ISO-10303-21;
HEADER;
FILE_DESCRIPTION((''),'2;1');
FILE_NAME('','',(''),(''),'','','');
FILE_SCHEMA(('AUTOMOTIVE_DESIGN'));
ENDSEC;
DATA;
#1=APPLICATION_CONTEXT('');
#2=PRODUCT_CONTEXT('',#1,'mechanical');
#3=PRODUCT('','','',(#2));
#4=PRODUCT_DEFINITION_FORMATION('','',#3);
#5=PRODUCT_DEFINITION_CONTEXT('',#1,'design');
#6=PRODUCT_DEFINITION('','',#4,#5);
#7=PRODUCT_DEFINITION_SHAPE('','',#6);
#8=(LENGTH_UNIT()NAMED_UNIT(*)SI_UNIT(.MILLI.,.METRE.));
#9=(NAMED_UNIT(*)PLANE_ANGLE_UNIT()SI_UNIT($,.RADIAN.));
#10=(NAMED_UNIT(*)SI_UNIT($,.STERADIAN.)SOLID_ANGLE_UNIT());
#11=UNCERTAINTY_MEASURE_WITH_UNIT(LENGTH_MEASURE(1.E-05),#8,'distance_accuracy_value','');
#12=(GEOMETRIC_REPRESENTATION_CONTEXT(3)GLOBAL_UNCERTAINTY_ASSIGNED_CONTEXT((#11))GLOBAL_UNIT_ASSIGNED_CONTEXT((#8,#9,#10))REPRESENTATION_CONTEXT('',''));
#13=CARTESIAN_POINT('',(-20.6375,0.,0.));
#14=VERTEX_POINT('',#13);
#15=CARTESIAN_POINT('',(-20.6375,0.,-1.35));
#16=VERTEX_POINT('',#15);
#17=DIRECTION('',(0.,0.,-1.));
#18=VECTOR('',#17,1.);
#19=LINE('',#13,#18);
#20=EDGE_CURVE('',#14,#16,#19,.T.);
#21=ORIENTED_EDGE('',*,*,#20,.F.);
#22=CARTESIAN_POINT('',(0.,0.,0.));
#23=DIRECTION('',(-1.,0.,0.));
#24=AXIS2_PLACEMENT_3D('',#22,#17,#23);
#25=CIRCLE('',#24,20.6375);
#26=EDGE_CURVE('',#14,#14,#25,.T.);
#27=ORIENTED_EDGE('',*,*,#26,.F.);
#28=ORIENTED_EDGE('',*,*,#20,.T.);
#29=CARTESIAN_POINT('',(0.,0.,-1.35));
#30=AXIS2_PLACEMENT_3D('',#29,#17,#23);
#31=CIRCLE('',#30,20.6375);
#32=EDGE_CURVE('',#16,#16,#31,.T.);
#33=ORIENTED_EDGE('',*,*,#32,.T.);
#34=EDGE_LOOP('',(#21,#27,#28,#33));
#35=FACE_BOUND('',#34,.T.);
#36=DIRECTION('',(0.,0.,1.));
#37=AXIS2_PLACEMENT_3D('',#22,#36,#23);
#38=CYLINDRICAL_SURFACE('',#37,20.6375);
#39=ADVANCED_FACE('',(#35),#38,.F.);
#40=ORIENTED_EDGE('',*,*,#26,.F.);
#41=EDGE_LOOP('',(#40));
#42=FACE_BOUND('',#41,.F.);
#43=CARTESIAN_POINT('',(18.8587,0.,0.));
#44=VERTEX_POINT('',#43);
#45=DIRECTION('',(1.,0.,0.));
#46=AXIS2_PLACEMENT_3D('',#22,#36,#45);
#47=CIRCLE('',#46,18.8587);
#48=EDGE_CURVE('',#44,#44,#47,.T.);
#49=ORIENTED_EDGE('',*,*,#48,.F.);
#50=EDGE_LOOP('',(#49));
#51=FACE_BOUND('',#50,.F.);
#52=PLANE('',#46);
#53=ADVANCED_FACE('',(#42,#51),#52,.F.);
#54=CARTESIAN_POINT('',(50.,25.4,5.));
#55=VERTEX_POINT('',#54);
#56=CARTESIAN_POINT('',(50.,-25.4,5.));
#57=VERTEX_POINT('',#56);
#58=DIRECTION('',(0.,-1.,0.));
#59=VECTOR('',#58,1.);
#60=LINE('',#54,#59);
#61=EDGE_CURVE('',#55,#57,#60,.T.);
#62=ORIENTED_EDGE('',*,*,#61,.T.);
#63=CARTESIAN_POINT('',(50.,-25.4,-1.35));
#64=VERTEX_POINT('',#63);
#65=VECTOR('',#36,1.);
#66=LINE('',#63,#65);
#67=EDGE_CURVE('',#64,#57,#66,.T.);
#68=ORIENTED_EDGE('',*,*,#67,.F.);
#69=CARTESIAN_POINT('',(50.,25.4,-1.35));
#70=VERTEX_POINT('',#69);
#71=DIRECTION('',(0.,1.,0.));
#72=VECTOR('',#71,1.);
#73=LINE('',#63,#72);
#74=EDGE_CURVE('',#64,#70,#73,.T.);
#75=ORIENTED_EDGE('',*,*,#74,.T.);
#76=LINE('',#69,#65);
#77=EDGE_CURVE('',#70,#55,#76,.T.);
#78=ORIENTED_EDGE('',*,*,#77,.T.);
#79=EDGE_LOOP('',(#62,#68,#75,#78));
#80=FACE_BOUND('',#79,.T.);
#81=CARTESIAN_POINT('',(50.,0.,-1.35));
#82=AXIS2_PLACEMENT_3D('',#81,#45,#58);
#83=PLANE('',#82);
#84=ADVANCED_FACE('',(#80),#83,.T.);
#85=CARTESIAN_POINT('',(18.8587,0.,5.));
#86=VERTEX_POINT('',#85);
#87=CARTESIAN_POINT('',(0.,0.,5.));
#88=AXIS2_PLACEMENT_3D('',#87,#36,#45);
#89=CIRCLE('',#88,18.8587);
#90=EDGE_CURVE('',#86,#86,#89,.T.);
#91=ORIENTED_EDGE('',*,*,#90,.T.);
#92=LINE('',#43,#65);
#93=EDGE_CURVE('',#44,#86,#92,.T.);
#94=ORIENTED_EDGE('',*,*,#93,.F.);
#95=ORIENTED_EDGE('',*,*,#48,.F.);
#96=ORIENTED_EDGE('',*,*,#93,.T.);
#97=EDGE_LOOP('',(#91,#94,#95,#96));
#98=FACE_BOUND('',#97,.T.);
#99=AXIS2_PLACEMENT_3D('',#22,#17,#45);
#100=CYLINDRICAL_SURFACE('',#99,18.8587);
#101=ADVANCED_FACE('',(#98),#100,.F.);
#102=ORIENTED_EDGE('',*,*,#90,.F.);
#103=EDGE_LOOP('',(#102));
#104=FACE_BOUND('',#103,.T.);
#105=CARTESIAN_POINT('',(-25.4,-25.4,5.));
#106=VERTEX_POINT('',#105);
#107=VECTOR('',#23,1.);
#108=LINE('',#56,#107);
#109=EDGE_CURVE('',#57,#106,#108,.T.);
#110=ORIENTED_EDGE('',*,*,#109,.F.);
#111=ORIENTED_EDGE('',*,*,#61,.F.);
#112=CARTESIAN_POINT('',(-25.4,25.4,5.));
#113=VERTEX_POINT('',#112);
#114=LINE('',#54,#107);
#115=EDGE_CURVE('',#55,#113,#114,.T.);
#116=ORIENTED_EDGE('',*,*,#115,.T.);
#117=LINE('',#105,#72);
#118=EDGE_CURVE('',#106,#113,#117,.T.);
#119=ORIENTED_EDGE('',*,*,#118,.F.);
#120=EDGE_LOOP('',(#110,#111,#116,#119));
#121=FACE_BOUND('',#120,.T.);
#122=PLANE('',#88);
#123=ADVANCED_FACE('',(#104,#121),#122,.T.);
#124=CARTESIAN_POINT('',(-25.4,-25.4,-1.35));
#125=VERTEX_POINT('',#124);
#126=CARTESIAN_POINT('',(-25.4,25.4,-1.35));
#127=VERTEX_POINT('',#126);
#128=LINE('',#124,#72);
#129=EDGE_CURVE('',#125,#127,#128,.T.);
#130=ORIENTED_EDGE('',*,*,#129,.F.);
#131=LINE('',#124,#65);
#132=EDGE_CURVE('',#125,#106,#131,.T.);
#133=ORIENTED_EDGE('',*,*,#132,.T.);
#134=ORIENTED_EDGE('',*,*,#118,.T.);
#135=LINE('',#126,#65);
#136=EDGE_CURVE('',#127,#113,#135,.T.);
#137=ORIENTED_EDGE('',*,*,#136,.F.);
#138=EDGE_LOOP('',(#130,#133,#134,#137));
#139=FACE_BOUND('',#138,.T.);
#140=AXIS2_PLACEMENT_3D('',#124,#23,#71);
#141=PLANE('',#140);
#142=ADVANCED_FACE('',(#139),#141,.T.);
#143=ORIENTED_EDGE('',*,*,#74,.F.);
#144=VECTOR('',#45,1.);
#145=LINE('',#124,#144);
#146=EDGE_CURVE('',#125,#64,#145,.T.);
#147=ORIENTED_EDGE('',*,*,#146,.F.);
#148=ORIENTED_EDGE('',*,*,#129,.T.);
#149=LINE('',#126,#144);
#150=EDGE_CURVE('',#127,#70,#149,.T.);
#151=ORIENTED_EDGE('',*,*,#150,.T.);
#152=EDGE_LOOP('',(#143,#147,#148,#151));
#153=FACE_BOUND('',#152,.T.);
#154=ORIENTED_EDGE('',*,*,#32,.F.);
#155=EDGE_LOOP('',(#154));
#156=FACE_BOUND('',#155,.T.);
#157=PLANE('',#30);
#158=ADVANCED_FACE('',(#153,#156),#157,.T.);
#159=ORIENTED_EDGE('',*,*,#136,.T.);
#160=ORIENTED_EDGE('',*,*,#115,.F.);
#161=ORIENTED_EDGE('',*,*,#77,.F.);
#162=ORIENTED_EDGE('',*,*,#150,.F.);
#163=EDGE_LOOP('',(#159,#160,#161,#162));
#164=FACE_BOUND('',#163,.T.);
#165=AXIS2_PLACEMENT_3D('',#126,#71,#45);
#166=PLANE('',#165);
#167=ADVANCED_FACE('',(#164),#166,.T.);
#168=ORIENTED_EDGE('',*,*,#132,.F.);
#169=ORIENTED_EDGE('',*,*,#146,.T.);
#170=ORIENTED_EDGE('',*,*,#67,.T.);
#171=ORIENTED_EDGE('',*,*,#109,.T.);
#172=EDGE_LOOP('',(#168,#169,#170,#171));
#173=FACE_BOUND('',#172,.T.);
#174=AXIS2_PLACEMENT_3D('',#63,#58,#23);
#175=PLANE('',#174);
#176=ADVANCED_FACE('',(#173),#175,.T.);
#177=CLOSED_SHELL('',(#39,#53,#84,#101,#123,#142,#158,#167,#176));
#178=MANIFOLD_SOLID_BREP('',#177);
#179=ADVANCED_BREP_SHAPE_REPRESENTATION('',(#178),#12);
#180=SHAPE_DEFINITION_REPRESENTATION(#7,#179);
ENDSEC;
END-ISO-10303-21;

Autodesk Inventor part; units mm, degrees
ref_plane "YZ Plane" through (0, 0, 0) normal (1, 0, 0) x (0, 1, 0)
ref_plane "XZ Plane" through (0, 0, 0) normal (0, 1, 0) x (-1, 0, 0)
ref_plane "XY Plane" through (0, 0, 0) normal (0, 0, 1) x (1, 0, 0)
sketch "Sketch2" plane through (0, 0, 0) normal (0, 0, 1) x (1, 0, 0)
  circle A0 centre (0, 0) radius 18.8587
  circle A1 centre (0, 0) radius 20.6375
  dimension "d0" = 37.7174
  dimension "d1" = 41.275
extrude "Extrusion1" add sketch "Sketch2" along normal blind 5
sketch "Sketch3" plane through (0, 0, 0) normal (0, 0, -1) x (-1, 0, 0)
  circle A0 centre (0, 0) radius 20.6375
  circle A1 centre (0, 0) radius 23.1375
  dimension "d4" = 46.275
extrude "Extrusion2" add sketch "Sketch3" along normal blind 1.35 and the other way blind 5
sketch "Sketch10" plane through (0, 0, -1.35) normal (0, 0, -1) x (-1, 0, 0)
  line L0 (-25.4, -25.4) -> (25.4, -25.4)
  line L1 (25.4, -25.4) -> (25.4, 25.4)
  line L2 (25.4, 25.4) -> (-25.4, 25.4)
  line L3 (-25.4, 25.4) -> (-25.4, 0)
  line L4 (-25.4, -25.4) -> (25.4, 25.4) construction
  line L5 (25.4, -25.4) -> (-25.4, 25.4) construction
  line L6 (-25.4, 25.4) -> (-56.5021, 25.4)
  line L7 (-50, -25.4) -> (-25.4, -25.4)
  line L8 (-25.4, 0) -> (-25.4, 25.4)
  line L9 (0, 0) -> (-50, 0)
  line L10 (-50, 0) -> (-50, 25.4)
  line L11 (-50, 0) -> (-50, -25.4)
  circle A0 centre (0, 0) radius 23.1375
  dimension "d46" = 50.8
  dimension "d47" = 50.8
  dimension "d48" = 50
extrude "Extrusion9" add sketch "Sketch10" against normal blind 6.35
properties part number "3102_Biax_Coil_Mounting_Bracket_MPSv2_v1" material "Aluminum 6061"
